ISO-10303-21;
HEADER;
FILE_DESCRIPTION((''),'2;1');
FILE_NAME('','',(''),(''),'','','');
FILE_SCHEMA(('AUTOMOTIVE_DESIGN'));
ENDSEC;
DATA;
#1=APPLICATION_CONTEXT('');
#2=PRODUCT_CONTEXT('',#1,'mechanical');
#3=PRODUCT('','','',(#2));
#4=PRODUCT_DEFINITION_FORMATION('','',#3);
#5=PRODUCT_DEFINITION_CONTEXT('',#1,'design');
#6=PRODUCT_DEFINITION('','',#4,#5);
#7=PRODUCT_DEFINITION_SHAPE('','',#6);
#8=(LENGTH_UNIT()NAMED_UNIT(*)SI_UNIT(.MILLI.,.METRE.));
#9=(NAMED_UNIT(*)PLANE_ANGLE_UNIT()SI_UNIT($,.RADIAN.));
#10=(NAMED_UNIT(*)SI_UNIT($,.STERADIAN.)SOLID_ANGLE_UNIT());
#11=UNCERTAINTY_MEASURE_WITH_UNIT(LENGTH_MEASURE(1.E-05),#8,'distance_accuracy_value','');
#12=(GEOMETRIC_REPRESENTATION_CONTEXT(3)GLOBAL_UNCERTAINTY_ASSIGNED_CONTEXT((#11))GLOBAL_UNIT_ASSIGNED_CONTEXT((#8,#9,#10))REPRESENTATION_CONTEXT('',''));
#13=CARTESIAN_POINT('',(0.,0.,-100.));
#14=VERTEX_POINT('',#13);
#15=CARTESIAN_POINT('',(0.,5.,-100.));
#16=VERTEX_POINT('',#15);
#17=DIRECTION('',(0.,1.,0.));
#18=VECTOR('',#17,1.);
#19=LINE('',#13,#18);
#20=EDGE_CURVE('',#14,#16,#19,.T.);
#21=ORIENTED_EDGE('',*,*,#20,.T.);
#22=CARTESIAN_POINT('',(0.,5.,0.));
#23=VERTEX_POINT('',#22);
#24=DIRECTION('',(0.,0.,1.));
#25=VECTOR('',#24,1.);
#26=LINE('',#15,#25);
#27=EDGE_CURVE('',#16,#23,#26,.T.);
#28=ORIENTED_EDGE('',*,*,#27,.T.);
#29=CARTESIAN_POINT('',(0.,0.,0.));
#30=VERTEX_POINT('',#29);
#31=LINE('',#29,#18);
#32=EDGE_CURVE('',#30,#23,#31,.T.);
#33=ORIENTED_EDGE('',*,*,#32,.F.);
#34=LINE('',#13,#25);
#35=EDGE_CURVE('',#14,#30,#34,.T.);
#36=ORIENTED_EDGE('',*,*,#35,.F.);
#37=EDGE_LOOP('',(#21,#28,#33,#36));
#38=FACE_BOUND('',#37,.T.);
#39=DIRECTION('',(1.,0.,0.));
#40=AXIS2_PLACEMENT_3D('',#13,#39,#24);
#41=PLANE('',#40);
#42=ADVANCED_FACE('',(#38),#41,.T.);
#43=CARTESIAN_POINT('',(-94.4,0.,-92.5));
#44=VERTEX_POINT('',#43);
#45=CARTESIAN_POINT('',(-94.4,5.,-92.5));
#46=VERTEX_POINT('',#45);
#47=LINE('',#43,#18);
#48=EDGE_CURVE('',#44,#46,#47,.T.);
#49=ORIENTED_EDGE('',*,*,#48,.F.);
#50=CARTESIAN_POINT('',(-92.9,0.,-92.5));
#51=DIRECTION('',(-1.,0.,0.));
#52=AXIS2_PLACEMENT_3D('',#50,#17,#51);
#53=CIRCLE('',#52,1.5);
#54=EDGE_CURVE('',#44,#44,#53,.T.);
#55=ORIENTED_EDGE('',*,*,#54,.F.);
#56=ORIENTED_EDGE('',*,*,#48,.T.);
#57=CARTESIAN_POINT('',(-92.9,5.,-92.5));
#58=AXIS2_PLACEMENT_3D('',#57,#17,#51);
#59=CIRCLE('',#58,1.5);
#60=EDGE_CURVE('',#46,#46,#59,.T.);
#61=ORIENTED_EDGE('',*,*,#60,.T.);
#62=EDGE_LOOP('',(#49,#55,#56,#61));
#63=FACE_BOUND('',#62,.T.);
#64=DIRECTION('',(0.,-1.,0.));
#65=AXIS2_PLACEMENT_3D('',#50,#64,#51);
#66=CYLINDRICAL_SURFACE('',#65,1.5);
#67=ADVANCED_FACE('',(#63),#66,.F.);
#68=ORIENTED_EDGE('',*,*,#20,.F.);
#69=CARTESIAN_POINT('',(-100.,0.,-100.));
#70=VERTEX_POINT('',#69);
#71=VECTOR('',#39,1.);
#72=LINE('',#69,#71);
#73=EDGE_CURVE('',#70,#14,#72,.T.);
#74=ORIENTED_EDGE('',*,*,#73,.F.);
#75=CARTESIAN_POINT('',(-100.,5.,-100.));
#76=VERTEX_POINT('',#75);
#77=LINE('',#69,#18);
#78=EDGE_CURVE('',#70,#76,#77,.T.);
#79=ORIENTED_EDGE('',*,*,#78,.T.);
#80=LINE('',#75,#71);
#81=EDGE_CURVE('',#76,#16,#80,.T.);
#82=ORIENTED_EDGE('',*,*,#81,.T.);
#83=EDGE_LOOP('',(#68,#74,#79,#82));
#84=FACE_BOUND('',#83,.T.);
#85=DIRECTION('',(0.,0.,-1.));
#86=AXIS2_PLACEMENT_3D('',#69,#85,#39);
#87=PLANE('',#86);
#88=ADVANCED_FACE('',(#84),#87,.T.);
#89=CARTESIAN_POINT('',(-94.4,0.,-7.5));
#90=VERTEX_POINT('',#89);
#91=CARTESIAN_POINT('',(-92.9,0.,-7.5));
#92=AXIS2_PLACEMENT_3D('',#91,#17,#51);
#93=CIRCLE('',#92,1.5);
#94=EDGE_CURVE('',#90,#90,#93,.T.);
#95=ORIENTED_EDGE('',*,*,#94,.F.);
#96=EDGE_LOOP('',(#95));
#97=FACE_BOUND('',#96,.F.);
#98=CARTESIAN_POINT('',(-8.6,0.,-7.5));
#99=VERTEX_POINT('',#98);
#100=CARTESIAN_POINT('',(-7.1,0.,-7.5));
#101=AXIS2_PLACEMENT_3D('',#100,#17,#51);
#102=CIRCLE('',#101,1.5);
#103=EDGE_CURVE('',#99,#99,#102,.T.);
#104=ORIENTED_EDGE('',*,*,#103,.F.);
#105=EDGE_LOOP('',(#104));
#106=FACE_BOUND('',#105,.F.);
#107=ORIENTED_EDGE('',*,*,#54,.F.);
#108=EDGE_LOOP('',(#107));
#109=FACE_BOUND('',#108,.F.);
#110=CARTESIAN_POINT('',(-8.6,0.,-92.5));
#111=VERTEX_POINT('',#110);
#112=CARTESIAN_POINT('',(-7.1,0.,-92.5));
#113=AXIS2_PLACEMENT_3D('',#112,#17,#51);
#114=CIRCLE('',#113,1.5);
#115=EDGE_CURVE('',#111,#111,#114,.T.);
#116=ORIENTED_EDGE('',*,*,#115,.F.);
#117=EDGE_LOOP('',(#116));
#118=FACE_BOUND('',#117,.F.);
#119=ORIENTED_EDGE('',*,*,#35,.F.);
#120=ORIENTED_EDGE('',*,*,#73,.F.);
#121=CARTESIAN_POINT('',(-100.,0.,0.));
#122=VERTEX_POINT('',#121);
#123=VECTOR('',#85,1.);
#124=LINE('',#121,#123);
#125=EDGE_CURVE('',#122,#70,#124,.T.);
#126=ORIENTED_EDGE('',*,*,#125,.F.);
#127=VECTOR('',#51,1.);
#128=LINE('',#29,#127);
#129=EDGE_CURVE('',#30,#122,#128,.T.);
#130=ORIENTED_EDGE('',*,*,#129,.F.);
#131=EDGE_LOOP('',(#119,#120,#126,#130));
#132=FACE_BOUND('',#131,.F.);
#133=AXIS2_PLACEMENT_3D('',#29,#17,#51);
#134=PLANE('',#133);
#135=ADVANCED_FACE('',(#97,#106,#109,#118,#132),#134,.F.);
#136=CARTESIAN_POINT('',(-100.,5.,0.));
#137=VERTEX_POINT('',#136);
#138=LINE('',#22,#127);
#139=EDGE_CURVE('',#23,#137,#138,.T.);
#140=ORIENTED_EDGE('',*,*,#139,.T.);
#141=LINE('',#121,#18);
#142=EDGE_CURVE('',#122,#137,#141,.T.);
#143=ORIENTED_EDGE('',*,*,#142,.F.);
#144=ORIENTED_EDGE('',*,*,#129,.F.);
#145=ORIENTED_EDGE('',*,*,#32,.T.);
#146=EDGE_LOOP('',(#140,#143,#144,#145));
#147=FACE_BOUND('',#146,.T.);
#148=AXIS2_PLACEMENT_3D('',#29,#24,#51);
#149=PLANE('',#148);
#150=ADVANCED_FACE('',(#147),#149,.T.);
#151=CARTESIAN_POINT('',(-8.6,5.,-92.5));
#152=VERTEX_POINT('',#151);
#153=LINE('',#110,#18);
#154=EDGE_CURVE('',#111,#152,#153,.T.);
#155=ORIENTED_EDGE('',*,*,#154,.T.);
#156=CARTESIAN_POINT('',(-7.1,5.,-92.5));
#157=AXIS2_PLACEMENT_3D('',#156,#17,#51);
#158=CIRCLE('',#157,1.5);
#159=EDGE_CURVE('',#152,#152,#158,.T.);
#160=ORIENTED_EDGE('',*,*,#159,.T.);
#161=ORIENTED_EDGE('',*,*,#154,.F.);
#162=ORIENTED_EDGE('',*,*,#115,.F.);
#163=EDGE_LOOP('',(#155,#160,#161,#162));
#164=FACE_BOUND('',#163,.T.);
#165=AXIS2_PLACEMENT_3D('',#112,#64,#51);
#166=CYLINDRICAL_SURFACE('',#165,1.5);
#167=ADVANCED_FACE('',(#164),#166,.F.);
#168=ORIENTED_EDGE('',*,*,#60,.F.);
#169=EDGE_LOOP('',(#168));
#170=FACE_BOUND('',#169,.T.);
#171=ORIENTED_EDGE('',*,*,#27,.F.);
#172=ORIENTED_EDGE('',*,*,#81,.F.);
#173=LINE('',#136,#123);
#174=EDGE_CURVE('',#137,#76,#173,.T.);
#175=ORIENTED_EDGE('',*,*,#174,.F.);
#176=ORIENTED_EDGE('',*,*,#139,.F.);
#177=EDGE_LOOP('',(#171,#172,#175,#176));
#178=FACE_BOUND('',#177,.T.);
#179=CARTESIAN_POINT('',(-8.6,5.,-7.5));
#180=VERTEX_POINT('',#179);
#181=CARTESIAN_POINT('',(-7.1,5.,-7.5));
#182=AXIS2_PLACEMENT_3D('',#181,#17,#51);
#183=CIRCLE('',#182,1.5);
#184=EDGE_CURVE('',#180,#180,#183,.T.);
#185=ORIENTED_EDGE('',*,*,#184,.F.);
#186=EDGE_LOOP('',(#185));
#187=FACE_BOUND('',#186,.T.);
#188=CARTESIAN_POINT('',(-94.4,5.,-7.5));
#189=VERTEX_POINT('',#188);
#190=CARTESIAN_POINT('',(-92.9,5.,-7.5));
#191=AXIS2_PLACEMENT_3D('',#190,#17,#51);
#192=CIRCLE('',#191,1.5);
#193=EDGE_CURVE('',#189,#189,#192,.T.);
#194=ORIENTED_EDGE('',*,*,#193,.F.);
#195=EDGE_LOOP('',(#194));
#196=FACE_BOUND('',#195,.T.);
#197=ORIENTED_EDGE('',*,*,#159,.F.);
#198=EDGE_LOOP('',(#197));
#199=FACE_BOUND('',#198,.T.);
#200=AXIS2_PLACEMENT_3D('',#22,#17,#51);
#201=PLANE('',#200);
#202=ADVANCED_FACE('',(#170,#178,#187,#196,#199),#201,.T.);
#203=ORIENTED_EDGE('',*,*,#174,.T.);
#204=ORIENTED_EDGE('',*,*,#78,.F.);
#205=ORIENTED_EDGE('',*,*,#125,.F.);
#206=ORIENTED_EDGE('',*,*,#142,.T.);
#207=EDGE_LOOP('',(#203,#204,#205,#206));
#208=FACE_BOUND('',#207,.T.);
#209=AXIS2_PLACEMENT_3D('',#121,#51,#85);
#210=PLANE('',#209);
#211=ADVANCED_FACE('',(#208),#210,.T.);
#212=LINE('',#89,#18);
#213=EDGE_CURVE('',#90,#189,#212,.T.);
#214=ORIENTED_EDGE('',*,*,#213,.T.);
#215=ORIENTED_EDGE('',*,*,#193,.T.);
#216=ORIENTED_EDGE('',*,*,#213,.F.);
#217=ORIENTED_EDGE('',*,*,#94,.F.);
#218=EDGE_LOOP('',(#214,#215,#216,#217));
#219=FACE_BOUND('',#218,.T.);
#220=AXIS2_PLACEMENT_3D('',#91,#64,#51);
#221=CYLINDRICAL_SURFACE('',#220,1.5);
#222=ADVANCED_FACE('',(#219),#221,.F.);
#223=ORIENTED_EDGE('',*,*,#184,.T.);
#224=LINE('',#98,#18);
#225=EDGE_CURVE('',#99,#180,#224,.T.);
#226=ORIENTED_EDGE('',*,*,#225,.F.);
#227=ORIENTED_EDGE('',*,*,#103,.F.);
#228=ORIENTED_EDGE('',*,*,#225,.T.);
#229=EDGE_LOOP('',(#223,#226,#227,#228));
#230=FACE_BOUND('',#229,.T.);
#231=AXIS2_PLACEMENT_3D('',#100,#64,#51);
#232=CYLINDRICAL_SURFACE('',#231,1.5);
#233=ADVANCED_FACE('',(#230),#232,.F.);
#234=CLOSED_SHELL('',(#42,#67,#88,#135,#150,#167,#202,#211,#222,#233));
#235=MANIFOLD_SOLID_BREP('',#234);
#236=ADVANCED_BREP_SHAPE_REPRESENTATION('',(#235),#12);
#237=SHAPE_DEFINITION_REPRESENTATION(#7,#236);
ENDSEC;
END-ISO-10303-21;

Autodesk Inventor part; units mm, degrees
ref_plane "YZ Plane" through (0, 0, 0) normal (1, 0, 0) x (0, 1, 0)
ref_plane "XZ Plane" through (0, 0, 0) normal (0, 1, 0) x (-1, 0, 0)
ref_plane "XY Plane" through (0, 0, 0) normal (0, 0, 1) x (1, 0, 0)
sketch "Sketch1" plane through (0, 0, 0) normal (0, 1, 0) x (-1, 0, 0)
  line L0 (0, 0) -> (100, 0)
  line L1 (100, 0) -> (100, -100)
  line L2 (100, -100) -> (0, -100)
  line L3 (0, -100) -> (0, 0)
  line L4 (100, -50) -> (0, -50) construction
  line L5 (7.1, -7.5) -> (92.9, -7.5) construction
  line L6 (92.9, -7.5) -> (92.9, -92.5) construction
  line L7 (92.9, -92.5) -> (7.1, -92.5) construction
  line L8 (7.1, -92.5) -> (7.1, -7.5) construction
  line L9 (7.1, -7.5) -> (92.9, -92.5) construction
  line L10 (92.9, -7.5) -> (7.1, -92.5) construction
  circle A0 centre (92.9, -7.5) radius 1.5
  circle A1 centre (92.9, -92.5) radius 1.5
  circle A2 centre (7.1, -92.5) radius 1.5
  circle A3 centre (7.1, -7.5) radius 1.5
  point P0 (50, -50)
  dimension "d0" = 100
  dimension "d1" = 100
  dimension "d2" = 85.8
  dimension "d3" = 85
  dimension "d4" = 3
  dimension "d5" = 3
  dimension "d6" = 3
  dimension "d7" = 3
extrude "Extrusion1" add sketch "Sketch1" along normal blind 5
sketch "Sketch2" plane through (0, 5, 0) normal (0, 1, 0) x (1, 0, 0)
  line L0 (-100, 100) -> (-100, 0) projected
  line L1 (-100, 30) -> (-97, 30)
  line L2 (-97, 30) -> (-97, 70)
  line L3 (-97, 70) -> (-100, 70)
  line L4 (-100, 70) -> (-100, 30)
  line L5 (-97, 50) -> (-100, 50) construction
  line L6 (0, 0) -> (0, 100) projected
  line L7 (0, 50) -> (-100, 50) construction
  line L8 (-100, 0) -> (0, 0) projected
  line L9 (-50, 0) -> (-50, 98) construction
  line L10 (-70, 0) -> (-30, 0)
  line L11 (-30, 0) -> (-30, 3)
  line L12 (-30, 3) -> (-70, 3)
  line L13 (-70, 3) -> (-70, 0)
  line L14 (-50, 3) -> (-50, 0) construction
  line L15 (0, 30) -> (-3, 30)
  line L16 (-3, 30) -> (-3, 70)
  line L17 (-3, 70) -> (0, 70)
  line L18 (0, 70) -> (0, 30)
  line L19 (-3, 50) -> (0, 50) construction
  line L20 (-70, 100) -> (-30, 100)
  line L21 (-30, 100) -> (-30, 97)
  line L22 (-30, 97) -> (-70, 97)
  line L23 (-70, 97) -> (-70, 100)
  line L24 (-50, 97) -> (-50, 100) construction
  dimension "d10" = 40
  dimension "d11" = 3
  dimension "d12" = 40
  dimension "d13" = 3
extrude "Extrusion2" [suppressed]
properties part number "Base"
